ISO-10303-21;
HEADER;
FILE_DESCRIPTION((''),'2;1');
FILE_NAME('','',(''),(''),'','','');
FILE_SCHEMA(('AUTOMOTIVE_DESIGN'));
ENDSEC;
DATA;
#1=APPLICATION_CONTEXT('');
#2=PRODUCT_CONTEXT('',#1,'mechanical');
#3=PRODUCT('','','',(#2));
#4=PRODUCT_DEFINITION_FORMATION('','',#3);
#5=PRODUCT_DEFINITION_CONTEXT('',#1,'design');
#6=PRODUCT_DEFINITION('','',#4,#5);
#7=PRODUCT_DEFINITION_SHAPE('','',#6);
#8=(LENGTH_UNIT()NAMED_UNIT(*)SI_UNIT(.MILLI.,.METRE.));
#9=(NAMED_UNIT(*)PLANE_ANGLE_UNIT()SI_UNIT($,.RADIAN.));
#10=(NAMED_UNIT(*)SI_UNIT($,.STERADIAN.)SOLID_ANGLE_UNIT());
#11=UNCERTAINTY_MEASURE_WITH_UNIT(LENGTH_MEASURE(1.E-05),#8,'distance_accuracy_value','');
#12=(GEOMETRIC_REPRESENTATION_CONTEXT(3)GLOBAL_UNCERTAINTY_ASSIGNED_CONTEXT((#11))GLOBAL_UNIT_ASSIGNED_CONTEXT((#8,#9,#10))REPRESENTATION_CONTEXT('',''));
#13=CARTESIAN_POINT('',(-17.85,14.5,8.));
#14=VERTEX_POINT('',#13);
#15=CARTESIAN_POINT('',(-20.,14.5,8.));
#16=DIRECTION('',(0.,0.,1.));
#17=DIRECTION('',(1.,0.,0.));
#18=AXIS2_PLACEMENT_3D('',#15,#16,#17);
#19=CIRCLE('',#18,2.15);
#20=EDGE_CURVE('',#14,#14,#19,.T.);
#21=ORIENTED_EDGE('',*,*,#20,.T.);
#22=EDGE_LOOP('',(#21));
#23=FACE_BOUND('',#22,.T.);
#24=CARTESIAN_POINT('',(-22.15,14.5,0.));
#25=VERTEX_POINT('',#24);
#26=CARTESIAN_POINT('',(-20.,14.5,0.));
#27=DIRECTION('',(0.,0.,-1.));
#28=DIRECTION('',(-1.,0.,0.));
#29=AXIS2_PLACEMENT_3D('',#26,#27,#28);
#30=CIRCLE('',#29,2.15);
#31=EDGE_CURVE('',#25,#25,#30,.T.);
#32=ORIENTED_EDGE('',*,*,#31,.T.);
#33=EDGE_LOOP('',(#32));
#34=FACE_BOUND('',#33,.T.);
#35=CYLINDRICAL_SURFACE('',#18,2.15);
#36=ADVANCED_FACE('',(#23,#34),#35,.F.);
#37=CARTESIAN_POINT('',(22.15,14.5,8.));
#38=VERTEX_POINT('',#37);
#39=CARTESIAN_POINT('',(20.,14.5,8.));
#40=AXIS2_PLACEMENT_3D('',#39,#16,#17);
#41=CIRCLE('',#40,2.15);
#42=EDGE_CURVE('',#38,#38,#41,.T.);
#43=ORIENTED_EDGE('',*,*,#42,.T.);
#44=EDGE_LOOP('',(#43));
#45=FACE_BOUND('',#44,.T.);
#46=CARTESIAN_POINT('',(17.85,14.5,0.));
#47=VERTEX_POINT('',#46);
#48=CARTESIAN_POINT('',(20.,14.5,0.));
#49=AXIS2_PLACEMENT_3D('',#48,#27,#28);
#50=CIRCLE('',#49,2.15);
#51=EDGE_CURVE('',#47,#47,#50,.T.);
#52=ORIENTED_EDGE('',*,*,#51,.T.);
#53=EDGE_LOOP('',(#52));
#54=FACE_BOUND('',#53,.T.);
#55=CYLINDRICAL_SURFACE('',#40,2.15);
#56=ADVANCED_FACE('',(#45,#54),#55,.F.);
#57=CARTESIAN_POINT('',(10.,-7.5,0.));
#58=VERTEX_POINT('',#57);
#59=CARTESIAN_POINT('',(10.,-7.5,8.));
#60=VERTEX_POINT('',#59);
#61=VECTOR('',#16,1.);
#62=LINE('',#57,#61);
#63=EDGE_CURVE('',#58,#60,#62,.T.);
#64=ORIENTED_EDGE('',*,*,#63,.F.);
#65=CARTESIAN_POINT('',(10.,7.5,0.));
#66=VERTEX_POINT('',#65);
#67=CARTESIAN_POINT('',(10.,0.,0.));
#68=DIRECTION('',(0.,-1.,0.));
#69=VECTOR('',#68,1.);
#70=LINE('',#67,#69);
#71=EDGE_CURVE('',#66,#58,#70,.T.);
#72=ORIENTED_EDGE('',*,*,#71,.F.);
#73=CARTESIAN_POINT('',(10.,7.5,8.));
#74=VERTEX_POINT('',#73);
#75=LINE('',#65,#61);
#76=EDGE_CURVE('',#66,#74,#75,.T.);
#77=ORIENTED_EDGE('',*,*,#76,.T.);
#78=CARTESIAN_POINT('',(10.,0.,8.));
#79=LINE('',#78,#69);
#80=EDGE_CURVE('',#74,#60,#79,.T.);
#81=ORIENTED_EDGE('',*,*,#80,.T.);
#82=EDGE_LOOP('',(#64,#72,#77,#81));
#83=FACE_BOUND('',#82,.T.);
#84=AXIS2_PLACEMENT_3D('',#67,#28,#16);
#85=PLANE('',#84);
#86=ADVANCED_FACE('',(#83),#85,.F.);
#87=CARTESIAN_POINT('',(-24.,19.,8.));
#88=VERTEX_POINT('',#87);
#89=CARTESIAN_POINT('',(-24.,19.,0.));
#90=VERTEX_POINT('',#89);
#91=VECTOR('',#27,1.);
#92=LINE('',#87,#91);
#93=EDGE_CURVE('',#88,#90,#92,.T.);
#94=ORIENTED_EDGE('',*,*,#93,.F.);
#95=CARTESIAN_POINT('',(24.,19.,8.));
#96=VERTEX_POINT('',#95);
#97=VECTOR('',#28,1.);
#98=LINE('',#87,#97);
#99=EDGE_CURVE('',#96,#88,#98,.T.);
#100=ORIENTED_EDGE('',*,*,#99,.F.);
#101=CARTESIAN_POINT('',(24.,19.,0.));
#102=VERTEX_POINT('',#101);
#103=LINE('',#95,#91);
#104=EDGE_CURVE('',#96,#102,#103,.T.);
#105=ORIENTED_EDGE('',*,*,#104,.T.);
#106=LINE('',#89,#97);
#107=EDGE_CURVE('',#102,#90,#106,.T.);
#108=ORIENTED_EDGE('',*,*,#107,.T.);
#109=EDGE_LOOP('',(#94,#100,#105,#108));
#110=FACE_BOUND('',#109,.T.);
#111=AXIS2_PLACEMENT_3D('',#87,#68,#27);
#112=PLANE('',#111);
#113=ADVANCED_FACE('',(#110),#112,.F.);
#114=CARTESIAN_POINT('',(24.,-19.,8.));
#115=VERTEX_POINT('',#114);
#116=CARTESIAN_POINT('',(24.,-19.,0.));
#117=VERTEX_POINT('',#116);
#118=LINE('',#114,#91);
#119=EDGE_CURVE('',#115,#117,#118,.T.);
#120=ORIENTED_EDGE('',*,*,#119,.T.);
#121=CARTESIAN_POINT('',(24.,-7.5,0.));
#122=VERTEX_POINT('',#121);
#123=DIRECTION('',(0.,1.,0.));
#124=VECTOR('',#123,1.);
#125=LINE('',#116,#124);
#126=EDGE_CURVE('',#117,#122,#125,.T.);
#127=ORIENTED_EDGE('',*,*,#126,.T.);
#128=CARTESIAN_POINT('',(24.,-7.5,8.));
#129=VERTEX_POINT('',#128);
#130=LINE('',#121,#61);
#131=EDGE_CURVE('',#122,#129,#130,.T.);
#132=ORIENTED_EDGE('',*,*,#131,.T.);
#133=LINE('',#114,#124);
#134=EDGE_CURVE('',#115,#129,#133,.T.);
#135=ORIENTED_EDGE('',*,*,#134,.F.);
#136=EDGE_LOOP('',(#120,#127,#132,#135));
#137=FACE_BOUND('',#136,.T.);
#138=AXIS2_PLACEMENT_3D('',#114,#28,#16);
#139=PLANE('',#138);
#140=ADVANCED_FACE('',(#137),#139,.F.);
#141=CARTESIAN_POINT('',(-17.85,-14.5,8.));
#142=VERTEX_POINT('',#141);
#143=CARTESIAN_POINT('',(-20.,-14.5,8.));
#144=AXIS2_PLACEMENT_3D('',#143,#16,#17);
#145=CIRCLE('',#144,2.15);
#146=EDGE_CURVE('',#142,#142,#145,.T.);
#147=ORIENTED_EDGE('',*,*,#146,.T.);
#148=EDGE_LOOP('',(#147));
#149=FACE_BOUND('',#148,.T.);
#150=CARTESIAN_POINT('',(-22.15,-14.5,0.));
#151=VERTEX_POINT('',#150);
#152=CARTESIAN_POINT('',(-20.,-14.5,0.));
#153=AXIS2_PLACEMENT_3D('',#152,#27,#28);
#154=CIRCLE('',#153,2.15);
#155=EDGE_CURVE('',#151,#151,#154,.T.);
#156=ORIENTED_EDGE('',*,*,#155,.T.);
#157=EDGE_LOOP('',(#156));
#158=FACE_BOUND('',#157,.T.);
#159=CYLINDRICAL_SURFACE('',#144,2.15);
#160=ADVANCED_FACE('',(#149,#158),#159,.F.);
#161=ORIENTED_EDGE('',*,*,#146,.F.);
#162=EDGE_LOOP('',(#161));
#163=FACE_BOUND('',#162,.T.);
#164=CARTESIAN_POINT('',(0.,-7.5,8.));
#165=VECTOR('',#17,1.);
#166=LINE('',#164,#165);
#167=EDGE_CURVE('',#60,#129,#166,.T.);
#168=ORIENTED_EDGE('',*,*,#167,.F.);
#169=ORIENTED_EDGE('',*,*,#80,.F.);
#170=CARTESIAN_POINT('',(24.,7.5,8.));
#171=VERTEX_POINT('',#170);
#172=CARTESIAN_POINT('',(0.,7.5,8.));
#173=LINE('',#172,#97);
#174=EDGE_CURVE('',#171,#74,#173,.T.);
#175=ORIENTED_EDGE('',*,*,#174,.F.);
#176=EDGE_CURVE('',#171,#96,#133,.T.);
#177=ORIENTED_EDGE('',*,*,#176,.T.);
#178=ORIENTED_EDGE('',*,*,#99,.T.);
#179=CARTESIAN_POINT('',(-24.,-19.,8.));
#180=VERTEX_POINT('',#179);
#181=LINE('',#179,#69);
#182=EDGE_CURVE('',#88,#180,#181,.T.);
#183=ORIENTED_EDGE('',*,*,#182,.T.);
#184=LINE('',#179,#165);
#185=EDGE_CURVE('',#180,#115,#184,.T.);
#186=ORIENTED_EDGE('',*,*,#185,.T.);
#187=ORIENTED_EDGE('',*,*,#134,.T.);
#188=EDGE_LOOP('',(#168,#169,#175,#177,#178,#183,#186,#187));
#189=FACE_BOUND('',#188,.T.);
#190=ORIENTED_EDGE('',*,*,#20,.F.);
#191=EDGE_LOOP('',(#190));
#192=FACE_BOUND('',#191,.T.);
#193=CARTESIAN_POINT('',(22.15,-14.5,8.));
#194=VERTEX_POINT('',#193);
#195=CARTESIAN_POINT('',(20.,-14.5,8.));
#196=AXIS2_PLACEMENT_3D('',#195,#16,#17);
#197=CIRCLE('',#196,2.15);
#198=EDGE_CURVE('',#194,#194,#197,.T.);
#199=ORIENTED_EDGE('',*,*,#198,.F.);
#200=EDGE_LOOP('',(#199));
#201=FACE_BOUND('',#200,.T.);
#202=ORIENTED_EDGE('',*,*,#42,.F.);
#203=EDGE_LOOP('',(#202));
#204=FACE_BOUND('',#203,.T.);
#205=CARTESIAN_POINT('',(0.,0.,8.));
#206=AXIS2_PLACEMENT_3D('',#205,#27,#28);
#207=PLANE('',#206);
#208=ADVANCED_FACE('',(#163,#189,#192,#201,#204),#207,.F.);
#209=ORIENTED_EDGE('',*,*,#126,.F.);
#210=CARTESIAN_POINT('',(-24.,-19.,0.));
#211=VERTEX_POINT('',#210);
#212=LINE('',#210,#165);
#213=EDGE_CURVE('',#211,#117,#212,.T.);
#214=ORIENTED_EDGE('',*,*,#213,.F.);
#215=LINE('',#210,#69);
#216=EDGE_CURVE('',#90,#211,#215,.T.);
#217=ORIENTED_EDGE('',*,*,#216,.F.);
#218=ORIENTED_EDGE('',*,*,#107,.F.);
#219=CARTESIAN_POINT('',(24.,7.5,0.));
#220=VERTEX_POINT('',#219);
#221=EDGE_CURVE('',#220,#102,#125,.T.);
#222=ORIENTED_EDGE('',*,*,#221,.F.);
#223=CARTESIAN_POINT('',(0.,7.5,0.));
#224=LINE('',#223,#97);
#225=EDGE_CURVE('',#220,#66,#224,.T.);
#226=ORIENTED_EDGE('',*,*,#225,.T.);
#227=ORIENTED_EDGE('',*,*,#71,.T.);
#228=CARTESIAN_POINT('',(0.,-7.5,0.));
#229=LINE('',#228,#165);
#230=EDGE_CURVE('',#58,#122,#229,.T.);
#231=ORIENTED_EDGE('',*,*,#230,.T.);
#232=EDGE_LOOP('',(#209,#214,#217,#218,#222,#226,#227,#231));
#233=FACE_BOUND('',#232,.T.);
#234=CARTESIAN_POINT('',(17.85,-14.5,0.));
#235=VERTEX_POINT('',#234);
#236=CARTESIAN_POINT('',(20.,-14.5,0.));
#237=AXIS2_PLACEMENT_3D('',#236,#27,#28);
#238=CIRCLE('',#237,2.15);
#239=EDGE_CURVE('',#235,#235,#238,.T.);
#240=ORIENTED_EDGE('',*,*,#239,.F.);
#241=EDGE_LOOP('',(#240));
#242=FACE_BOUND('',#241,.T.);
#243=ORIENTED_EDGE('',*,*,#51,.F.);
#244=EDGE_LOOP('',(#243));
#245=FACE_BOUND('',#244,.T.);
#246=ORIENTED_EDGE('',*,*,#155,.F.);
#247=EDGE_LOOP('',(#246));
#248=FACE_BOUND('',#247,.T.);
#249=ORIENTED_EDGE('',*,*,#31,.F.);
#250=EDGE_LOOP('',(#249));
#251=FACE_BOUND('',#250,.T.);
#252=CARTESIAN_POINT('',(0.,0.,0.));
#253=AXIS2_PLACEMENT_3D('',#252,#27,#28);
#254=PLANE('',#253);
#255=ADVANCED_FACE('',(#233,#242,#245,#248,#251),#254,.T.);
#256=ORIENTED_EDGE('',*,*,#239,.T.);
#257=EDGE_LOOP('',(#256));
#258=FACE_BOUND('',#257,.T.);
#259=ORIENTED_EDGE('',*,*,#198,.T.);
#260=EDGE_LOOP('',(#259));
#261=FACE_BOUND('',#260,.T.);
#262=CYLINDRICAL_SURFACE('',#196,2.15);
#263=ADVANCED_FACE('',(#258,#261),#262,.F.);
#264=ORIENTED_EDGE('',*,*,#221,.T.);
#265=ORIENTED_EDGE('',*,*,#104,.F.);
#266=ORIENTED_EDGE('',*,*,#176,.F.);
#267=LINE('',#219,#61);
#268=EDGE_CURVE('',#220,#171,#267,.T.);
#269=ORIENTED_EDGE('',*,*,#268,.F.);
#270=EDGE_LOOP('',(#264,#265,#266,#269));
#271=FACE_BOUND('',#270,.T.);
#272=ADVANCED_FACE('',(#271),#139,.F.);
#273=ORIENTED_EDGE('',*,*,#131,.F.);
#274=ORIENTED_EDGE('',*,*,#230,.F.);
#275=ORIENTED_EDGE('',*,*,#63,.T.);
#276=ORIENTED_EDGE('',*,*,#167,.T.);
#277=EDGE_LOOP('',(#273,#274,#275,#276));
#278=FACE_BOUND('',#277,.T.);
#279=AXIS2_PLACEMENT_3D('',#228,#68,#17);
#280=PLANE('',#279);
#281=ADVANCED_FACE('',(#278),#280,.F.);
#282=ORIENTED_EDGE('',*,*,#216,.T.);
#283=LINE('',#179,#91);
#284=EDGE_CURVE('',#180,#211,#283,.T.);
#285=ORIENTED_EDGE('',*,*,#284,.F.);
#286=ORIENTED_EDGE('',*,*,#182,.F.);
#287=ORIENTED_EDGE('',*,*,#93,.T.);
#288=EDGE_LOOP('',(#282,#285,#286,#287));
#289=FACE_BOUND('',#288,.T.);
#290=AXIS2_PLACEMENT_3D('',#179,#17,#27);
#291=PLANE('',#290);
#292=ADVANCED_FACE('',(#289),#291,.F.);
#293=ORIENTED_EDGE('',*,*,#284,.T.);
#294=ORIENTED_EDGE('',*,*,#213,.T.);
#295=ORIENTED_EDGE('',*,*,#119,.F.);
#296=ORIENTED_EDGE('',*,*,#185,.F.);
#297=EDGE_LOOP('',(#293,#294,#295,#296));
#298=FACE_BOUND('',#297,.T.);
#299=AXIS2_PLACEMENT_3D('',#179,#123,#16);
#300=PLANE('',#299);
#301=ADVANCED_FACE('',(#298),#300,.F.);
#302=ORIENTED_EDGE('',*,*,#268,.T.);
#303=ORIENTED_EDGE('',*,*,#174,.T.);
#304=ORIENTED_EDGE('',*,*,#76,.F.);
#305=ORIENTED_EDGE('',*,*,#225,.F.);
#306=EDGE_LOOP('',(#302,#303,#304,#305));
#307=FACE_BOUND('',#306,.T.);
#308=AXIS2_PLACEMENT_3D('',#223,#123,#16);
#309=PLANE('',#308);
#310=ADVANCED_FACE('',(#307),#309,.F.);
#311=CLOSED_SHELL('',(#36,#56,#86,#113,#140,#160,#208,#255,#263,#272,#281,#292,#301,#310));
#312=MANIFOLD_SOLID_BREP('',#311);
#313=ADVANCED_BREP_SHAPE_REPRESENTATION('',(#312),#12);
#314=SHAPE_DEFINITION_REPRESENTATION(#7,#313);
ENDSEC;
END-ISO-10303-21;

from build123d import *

# Parameters (mm, degrees)
ESQUISSE1_W             = 48
ESQUISSE1_H             = 38
BOSS_EXTRU_1_DEPTH      = 8
ESQUISSE4_W             = 14
ESQUISSE4_H             = 15
ENL_V_MAT_EXTRU_2_DEPTH = 8
D_GAGEMENT_M41_D        = 4.3
D_GAGEMENT_M41_DEPTH    = 10
D_GAGEMENT_M41_TIP      = 1.291850331


with BuildPart() as part:
    # Esquisse1 → Boss.-Extru.1 (new body)
    with BuildSketch(Plane.XY):
        Rectangle(ESQUISSE1_W, ESQUISSE1_H)
    extrude(amount=BOSS_EXTRU_1_DEPTH)

    # Esquisse4 → Enlèv. mat.-Extru.2 (cut)
    with BuildSketch(Plane.XY.offset(8)):
        with Locations((17, 0)):
            Rectangle(ESQUISSE4_W, ESQUISSE4_H)
    extrude(amount=-ENL_V_MAT_EXTRU_2_DEPTH, mode=Mode.SUBTRACT)

    # Dégagement M41
    with Locations(Plane(origin=(-20, 14.5, 8), x_dir=(1, 0, 0), z_dir=(0, 0, 1))):
        with Locations((0, 0), (40, 0), (0, -29), (40, -29)):
            Hole(D_GAGEMENT_M41_D / 2, depth=D_GAGEMENT_M41_DEPTH)
            with Locations((0, 0, -(D_GAGEMENT_M41_DEPTH + D_GAGEMENT_M41_TIP / 2))):  # 118° drill point
                Cone(0, D_GAGEMENT_M41_D / 2, D_GAGEMENT_M41_TIP, mode=Mode.SUBTRACT)


solid = part.part
